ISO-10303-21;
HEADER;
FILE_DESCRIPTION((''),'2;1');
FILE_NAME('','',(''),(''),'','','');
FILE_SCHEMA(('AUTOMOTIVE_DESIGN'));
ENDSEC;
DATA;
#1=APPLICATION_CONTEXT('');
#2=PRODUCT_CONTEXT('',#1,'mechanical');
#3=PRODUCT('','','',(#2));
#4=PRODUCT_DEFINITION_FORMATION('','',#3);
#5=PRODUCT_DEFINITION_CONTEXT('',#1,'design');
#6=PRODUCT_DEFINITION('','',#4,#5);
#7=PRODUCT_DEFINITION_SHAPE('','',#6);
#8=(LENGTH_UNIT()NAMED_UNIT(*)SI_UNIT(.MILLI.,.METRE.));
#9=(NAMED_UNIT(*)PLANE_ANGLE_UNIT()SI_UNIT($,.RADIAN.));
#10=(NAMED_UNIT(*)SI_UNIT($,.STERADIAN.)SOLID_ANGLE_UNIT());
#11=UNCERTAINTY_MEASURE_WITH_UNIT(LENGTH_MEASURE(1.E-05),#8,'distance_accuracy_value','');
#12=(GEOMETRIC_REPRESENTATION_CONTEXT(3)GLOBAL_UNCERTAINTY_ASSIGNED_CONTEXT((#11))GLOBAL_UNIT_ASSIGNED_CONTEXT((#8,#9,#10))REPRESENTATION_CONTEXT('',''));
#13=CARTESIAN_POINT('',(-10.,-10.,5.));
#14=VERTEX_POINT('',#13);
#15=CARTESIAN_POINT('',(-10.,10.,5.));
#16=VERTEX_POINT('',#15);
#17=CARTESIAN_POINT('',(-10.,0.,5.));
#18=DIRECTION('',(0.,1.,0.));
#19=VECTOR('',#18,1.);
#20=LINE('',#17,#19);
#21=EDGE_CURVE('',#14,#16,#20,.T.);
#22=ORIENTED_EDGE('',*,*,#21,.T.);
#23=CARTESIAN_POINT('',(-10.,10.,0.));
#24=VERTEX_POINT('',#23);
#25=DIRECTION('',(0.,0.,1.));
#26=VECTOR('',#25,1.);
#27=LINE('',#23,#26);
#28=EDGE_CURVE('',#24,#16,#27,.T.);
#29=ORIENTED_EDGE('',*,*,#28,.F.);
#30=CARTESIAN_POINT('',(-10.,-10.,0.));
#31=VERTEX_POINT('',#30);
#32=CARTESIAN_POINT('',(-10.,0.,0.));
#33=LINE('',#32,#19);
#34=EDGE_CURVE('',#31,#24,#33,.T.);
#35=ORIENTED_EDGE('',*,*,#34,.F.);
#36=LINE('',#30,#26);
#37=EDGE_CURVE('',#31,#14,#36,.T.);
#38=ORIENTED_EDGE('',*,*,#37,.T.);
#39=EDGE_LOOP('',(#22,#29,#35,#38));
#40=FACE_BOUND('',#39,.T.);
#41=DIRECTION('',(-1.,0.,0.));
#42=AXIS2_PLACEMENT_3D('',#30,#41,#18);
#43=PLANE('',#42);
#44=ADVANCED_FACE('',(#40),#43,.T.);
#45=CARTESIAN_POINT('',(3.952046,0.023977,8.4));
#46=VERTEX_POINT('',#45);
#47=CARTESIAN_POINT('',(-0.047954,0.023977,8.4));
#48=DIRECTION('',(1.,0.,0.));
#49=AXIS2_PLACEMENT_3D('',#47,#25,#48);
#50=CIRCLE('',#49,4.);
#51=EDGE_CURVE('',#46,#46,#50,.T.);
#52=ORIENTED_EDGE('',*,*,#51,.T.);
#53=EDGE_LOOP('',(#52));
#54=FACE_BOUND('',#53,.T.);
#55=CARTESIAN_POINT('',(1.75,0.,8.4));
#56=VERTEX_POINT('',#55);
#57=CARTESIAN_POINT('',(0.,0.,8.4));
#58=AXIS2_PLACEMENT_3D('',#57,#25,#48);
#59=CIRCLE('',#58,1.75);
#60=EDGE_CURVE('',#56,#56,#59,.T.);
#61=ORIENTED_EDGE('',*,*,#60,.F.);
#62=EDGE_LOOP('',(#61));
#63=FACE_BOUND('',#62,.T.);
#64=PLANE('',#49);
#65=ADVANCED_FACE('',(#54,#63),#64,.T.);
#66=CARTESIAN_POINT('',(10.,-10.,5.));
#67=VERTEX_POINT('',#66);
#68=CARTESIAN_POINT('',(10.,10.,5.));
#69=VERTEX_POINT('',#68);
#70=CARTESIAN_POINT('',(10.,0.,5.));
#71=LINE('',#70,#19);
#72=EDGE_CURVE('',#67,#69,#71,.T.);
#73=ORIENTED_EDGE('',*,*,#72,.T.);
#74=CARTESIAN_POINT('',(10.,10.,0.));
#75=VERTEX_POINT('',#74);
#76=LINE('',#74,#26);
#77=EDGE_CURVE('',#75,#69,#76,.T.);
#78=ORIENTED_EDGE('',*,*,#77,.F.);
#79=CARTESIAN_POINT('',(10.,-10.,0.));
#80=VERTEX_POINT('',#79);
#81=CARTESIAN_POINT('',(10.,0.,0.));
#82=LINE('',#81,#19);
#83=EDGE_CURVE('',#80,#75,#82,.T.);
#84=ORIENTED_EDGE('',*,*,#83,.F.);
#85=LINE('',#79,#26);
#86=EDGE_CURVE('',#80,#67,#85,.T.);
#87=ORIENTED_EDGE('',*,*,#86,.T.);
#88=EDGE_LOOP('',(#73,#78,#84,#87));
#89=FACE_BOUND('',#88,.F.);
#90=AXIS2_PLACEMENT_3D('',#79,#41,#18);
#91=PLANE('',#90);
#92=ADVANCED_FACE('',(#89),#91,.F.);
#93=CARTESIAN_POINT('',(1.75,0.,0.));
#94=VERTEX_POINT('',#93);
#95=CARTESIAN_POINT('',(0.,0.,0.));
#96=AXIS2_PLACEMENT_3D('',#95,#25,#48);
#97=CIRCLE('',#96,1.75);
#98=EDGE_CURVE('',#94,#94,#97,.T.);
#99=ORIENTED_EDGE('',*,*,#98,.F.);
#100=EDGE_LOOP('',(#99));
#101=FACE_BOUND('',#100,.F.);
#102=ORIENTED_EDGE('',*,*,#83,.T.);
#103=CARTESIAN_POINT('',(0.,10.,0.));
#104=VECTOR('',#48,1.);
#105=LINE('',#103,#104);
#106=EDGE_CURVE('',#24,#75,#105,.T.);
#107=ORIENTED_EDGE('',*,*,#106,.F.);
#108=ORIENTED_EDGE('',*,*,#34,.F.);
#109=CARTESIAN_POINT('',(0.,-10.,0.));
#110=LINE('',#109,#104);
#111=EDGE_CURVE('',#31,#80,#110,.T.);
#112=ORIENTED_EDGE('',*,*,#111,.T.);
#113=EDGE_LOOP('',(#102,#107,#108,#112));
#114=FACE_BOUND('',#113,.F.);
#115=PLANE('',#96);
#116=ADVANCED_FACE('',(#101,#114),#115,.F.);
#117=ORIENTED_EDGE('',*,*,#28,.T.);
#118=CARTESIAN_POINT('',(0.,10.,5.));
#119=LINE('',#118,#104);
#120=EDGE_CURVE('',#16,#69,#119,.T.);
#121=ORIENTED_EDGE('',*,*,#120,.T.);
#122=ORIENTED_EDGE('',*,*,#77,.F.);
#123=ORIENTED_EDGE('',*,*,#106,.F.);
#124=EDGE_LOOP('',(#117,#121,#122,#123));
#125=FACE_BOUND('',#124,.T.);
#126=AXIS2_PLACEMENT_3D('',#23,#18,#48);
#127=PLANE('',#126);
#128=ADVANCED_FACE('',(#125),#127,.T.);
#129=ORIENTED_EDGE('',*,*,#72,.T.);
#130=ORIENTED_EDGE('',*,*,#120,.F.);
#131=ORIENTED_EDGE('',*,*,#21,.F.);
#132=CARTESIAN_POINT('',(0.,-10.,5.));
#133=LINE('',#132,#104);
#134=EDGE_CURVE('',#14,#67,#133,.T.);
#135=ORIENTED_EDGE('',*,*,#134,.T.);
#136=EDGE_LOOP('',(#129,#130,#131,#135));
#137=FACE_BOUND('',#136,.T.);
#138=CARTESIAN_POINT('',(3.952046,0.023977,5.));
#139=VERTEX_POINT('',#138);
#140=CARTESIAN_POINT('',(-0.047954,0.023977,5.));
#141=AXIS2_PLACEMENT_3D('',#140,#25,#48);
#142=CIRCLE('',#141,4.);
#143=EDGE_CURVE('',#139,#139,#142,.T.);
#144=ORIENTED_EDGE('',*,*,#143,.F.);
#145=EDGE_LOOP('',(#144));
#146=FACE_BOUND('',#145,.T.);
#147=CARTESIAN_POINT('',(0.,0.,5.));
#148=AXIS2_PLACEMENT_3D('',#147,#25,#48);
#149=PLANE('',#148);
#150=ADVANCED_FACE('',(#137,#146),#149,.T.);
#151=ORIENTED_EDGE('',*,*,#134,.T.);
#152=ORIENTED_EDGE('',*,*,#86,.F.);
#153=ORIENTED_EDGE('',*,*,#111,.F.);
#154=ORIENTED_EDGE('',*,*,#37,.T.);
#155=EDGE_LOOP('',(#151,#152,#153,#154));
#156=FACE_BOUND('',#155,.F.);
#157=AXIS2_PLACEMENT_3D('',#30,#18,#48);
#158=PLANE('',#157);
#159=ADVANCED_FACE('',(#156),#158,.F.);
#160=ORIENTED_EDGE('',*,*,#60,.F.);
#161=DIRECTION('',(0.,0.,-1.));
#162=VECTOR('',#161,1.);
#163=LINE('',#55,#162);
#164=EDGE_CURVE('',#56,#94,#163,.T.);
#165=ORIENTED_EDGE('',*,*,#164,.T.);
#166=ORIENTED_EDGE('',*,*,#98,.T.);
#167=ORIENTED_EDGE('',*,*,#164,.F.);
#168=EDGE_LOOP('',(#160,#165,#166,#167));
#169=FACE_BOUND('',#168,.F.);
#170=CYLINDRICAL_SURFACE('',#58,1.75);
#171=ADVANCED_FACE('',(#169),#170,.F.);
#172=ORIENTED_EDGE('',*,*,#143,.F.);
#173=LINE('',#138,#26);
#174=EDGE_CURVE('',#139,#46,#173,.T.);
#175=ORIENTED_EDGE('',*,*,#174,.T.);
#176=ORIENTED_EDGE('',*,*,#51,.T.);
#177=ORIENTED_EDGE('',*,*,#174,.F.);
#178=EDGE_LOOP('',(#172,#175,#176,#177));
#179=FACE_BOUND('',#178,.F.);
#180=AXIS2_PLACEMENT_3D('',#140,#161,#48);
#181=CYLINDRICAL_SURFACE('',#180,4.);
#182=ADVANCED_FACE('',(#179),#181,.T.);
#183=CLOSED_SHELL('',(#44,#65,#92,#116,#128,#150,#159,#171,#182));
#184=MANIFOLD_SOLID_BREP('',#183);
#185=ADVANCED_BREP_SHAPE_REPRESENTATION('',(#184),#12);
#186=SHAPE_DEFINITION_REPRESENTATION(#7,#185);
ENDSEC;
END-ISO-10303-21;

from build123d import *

# Parameters (mm, degrees)
SKETCH_W     = 20
SKETCH_H     = 20
PAD_DEPTH    = 5
SKETCH001_R  = 4
PAD001_DEPTH = 3.4
SKETCH002_R  = 1.75
POCKET_DEPTH = 8.401


with BuildPart() as part:
    # Sketch → Pad (new body)
    with BuildSketch(Plane.XY):
        Rectangle(SKETCH_W, SKETCH_H)
    extrude(amount=PAD_DEPTH)

    # Sketch001 → Pad001 (new body)
    with BuildSketch(Plane.XY.offset(5)):
        with Locations((-0.047954, 0.023977)):
            Circle(SKETCH001_R)
    extrude(amount=PAD001_DEPTH)

    # Sketch002 → Pocket (cut, through all)
    with BuildSketch(Plane.XY.offset(8.4)):
        Circle(SKETCH002_R)
    extrude(amount=-POCKET_DEPTH, mode=Mode.SUBTRACT)


solid = part.part
